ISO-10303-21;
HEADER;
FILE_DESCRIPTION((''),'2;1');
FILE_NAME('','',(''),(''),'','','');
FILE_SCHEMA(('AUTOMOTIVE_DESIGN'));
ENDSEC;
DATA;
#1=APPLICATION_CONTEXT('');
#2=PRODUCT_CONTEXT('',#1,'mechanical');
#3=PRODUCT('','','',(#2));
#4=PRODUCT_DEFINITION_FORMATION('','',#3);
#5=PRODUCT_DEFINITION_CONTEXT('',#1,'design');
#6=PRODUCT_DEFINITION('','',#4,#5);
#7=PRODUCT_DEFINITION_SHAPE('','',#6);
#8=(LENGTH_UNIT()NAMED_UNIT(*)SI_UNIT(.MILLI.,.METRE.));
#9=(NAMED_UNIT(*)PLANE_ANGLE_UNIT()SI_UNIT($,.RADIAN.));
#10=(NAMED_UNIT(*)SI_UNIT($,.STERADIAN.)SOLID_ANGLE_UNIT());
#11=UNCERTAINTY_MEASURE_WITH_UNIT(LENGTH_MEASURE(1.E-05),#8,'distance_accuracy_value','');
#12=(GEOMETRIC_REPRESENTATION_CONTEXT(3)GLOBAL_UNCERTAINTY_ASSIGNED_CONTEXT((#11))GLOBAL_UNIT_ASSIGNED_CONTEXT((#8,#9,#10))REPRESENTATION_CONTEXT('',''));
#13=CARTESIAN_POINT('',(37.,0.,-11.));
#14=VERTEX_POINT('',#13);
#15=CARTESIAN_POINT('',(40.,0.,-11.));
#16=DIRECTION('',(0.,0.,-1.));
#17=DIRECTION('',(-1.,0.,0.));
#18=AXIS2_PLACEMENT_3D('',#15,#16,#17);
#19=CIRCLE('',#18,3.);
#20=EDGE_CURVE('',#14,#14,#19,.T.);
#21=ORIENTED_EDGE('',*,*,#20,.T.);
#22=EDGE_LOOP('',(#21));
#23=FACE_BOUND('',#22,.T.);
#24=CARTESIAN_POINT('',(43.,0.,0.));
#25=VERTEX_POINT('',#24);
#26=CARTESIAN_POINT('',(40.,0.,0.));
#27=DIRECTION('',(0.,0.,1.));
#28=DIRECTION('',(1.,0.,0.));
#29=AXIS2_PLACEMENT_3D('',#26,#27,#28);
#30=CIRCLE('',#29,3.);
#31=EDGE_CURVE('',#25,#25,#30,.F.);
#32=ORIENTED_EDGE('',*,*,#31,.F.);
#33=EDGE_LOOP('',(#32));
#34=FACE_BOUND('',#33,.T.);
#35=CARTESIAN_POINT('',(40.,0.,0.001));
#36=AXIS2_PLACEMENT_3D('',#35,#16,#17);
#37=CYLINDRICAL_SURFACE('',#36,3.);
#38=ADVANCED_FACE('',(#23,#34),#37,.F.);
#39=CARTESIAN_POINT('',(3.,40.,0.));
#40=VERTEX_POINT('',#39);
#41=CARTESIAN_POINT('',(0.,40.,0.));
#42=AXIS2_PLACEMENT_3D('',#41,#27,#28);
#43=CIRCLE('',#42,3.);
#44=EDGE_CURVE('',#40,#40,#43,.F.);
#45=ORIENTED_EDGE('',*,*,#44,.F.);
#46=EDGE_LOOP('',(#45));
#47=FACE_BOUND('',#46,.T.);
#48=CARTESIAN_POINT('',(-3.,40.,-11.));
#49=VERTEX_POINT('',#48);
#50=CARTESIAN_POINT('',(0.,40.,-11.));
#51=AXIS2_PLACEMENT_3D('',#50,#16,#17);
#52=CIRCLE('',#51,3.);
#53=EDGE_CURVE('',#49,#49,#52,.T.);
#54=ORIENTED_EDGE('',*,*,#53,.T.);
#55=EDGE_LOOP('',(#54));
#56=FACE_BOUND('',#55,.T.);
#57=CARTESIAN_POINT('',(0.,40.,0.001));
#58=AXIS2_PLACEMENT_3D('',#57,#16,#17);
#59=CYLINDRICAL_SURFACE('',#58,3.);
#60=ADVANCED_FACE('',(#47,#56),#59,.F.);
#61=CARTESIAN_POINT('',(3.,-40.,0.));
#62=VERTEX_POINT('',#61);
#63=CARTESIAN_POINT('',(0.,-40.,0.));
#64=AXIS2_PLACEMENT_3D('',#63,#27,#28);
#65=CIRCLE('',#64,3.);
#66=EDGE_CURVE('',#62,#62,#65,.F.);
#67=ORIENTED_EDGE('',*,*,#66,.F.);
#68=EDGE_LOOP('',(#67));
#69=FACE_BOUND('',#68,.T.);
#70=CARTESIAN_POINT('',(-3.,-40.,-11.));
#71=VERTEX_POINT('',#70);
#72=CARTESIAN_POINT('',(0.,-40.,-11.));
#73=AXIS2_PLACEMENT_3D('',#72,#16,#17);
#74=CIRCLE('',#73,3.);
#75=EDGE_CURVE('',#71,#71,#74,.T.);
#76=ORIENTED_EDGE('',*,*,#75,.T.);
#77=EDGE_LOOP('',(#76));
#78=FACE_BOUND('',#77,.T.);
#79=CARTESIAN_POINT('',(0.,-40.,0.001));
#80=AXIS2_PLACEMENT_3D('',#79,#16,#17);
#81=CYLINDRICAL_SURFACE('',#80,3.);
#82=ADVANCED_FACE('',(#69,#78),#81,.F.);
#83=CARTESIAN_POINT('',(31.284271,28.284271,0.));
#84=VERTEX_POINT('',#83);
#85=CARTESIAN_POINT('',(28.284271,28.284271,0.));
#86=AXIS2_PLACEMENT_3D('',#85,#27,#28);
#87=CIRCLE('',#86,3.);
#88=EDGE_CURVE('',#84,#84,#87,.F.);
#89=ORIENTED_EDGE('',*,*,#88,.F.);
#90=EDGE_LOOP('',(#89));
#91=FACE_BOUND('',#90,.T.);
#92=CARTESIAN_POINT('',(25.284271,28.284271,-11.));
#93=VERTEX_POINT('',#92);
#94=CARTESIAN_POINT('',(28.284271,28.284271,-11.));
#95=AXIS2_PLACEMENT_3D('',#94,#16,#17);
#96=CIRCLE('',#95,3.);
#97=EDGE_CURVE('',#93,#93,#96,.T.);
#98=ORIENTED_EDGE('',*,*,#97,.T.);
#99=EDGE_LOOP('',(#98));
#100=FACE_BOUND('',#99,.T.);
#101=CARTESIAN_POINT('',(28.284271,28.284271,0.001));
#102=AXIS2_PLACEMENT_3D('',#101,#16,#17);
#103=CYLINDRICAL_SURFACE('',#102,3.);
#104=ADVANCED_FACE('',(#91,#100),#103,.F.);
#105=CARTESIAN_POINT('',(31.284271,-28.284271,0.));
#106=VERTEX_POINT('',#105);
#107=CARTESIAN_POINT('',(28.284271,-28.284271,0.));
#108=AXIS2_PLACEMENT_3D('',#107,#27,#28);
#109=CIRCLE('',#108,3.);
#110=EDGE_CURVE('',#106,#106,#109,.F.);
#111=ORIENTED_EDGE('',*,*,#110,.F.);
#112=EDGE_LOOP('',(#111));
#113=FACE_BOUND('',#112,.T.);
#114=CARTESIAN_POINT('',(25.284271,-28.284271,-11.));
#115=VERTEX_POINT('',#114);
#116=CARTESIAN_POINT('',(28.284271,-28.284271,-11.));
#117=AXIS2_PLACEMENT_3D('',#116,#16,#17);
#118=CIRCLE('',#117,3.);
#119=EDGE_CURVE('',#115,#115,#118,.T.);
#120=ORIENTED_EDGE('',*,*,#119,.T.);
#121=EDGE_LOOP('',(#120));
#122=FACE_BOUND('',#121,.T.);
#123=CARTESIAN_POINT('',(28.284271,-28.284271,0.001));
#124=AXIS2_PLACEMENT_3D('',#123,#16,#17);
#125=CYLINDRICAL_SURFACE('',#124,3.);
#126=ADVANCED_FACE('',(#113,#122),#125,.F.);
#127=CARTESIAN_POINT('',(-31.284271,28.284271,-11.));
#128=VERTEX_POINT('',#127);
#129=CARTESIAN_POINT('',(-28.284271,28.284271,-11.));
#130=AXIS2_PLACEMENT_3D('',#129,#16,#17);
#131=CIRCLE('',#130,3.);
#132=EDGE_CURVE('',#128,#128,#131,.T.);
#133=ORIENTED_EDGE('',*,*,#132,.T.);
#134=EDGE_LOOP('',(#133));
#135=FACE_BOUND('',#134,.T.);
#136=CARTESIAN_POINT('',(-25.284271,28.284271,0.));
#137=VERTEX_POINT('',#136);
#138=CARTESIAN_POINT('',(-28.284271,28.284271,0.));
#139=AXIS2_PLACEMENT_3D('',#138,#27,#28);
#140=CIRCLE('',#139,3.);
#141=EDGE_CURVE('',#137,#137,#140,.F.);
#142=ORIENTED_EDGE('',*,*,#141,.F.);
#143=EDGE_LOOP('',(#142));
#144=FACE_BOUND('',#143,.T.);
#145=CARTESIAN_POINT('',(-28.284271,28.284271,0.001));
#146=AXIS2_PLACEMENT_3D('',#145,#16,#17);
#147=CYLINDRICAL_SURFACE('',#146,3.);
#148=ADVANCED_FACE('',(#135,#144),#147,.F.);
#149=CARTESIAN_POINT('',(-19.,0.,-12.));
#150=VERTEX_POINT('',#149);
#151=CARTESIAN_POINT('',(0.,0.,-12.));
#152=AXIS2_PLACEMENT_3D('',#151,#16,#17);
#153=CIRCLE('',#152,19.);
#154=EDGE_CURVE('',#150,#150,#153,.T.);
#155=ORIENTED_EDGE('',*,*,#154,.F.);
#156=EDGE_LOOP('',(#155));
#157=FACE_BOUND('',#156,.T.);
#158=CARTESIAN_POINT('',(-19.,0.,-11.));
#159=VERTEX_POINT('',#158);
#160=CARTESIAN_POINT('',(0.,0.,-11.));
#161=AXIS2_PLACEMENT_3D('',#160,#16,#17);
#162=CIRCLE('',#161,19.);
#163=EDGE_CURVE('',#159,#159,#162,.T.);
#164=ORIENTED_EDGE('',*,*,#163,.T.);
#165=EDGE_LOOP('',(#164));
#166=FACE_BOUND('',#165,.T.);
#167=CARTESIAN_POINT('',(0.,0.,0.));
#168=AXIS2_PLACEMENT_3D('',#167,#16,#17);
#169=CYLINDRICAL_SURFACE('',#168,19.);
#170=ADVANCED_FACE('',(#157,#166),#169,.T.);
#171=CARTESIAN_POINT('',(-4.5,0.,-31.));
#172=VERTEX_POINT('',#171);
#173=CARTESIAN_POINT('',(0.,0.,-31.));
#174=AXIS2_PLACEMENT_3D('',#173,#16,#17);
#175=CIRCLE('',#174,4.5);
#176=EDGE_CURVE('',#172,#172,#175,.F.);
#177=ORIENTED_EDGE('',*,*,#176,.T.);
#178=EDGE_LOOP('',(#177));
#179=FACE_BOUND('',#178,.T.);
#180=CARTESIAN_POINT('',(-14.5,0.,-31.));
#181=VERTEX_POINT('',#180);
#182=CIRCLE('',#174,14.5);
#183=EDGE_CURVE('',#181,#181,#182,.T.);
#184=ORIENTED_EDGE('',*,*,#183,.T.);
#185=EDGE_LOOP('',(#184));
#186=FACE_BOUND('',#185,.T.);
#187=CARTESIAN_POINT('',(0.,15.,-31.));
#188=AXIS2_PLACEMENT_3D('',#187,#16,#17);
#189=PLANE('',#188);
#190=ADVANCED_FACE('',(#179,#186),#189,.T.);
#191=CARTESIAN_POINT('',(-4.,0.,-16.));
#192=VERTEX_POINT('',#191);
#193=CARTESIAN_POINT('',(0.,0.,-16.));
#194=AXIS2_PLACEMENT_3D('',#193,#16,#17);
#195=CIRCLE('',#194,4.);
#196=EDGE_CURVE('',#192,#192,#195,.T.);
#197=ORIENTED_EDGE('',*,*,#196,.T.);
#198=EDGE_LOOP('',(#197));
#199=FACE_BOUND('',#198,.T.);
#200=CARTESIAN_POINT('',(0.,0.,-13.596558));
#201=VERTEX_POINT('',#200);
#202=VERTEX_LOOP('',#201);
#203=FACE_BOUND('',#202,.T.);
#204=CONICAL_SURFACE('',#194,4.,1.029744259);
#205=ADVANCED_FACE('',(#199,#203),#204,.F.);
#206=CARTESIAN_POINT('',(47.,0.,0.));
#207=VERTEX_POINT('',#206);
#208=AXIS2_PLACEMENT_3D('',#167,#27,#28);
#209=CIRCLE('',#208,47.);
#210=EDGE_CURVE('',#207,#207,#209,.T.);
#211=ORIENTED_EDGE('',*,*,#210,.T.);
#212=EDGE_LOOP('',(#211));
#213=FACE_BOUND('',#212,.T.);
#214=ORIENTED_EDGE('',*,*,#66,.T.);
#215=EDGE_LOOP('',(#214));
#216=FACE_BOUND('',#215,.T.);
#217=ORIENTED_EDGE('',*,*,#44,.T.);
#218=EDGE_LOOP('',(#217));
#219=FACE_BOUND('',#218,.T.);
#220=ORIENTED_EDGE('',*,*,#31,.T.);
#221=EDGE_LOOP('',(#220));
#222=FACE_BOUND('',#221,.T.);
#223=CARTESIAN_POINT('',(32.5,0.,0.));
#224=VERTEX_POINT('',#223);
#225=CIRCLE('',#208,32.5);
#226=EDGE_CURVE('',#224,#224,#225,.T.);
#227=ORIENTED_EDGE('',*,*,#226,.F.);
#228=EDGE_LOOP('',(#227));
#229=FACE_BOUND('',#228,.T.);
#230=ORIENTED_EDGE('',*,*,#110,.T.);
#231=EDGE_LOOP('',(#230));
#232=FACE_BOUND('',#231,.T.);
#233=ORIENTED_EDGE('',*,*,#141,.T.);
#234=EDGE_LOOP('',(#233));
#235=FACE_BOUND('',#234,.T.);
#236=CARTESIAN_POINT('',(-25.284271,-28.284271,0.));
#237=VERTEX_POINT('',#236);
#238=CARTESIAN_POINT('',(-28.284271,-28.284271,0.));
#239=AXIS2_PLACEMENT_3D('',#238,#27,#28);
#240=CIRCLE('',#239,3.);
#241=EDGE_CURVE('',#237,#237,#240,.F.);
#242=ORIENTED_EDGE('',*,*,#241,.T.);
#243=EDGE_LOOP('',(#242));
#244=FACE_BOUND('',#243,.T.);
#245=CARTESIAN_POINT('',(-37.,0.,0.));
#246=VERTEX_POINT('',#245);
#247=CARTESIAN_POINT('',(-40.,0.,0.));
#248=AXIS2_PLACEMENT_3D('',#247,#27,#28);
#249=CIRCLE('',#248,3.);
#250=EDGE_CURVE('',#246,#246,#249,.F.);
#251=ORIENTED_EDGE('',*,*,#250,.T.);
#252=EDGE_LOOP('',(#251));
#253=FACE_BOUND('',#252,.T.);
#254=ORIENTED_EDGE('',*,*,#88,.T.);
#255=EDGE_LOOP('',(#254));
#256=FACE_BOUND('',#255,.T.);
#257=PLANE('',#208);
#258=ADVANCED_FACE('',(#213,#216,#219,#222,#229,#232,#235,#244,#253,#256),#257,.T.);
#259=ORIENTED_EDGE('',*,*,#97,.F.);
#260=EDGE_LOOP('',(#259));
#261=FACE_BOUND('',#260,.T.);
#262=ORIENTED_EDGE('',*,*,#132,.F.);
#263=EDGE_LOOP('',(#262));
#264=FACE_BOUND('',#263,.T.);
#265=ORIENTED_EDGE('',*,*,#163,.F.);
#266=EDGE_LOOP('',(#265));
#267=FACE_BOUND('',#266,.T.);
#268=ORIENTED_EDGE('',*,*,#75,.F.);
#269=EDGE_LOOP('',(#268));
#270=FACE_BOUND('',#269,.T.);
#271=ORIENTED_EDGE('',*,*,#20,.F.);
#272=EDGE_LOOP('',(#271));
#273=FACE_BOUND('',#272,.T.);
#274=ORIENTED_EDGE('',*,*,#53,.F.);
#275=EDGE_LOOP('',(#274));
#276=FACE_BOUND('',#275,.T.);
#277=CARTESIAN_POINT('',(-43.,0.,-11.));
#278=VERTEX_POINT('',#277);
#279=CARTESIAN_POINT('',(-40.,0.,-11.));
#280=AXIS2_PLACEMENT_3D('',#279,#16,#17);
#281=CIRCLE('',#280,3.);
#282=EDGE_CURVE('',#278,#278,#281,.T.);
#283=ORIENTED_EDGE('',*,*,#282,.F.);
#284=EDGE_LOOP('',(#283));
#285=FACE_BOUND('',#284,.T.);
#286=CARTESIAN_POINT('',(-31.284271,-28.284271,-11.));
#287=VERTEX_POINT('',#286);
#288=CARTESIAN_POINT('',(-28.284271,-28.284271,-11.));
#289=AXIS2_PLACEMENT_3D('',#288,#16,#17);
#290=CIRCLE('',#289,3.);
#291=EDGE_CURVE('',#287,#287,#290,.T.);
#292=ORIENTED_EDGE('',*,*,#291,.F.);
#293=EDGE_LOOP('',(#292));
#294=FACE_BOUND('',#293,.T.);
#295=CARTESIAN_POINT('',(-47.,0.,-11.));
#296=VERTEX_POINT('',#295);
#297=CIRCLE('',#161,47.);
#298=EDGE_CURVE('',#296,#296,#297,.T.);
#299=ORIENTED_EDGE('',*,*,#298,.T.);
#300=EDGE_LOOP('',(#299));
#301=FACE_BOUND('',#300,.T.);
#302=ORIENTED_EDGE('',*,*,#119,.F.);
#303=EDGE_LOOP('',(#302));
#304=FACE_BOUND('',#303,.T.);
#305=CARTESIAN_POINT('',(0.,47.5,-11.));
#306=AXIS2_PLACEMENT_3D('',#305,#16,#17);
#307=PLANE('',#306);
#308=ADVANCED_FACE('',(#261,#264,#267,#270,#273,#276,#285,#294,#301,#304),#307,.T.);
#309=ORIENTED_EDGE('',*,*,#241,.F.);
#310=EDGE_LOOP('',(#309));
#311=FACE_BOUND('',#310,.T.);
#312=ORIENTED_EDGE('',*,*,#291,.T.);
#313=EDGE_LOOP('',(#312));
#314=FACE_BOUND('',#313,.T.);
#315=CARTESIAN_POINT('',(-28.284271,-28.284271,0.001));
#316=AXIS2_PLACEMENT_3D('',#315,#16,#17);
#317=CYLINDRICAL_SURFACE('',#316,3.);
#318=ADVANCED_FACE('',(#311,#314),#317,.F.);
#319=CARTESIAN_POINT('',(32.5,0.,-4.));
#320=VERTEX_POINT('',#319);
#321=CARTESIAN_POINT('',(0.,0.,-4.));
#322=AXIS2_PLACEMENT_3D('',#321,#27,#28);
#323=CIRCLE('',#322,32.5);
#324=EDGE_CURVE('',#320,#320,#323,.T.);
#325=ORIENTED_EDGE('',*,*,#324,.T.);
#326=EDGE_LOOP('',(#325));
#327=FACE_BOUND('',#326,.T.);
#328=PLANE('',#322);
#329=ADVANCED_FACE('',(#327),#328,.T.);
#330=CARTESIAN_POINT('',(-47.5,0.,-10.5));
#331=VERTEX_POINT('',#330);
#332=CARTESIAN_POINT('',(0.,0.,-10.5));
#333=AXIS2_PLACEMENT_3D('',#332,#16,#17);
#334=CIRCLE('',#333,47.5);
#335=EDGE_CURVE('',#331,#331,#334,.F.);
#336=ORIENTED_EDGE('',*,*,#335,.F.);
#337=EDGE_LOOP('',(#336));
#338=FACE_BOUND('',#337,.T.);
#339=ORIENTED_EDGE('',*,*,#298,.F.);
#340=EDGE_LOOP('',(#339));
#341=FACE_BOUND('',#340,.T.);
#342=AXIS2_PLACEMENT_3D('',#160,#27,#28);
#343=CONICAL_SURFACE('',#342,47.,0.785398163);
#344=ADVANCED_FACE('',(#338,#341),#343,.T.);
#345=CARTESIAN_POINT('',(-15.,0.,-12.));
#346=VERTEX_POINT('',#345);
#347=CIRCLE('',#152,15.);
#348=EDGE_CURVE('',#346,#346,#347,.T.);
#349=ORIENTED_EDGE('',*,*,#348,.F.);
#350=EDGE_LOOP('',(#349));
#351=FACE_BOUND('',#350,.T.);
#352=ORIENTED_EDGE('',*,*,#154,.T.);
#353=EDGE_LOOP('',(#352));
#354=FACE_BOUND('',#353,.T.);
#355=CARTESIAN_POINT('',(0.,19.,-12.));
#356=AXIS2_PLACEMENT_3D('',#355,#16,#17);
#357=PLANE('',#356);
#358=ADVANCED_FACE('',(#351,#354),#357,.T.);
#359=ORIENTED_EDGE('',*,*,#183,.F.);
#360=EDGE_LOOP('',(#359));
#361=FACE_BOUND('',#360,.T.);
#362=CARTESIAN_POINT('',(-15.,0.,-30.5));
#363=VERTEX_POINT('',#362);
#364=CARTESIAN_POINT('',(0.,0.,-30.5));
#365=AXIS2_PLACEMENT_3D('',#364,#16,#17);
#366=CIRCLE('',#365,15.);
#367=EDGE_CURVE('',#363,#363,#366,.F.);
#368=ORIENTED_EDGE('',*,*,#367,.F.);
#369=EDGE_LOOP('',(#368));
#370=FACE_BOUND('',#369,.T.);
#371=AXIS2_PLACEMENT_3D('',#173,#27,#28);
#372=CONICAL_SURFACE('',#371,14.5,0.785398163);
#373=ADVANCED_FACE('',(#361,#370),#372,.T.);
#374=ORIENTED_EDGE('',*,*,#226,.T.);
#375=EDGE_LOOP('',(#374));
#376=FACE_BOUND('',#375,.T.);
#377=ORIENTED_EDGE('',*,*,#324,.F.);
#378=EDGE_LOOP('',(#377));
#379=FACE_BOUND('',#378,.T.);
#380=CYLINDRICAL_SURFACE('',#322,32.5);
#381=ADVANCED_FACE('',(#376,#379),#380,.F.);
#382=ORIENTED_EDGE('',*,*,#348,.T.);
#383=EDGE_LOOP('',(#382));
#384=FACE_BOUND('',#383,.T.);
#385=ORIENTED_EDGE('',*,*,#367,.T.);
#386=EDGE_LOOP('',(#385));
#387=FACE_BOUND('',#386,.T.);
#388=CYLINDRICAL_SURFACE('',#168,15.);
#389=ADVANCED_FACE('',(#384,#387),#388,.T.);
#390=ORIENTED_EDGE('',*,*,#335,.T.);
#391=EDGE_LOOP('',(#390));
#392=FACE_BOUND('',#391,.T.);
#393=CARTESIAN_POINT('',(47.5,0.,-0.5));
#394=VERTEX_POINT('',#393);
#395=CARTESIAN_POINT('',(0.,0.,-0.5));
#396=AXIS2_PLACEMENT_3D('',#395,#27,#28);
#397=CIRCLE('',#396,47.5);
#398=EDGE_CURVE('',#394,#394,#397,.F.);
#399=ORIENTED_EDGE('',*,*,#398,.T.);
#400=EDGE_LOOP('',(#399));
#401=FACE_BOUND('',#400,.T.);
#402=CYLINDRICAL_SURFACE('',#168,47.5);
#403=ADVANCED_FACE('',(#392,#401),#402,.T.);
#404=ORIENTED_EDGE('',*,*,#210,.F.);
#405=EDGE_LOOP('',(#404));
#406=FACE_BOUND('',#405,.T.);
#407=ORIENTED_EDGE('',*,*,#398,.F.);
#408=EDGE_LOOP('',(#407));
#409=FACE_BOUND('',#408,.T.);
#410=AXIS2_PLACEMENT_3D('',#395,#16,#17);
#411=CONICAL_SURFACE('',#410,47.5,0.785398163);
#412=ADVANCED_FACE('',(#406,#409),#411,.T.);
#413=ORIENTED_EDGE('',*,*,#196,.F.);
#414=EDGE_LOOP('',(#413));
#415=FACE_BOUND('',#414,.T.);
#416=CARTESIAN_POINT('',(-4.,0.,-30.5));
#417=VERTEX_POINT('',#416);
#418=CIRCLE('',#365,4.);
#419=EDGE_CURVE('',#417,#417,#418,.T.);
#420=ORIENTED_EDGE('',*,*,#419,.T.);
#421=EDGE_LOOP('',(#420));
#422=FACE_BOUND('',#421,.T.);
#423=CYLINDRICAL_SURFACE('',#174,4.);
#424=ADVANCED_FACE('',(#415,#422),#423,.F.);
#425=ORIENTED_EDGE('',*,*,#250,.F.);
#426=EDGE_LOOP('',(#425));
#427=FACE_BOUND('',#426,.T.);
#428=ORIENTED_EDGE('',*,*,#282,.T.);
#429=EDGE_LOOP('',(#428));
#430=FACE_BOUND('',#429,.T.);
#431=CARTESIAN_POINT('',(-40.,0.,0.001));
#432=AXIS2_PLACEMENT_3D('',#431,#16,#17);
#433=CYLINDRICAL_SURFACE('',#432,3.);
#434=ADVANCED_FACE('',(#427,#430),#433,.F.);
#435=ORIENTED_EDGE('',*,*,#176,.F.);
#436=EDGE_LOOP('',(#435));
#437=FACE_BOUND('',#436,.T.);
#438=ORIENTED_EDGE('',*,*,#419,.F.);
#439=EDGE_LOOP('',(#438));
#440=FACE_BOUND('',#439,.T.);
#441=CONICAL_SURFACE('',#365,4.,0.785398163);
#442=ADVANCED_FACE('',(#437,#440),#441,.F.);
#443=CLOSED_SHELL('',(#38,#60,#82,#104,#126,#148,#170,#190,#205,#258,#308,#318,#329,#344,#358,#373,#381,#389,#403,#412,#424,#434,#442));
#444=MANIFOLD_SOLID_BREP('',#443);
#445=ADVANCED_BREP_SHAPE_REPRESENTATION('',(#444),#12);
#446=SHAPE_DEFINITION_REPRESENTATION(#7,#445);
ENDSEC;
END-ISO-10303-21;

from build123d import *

# Parameters (mm, degrees)
SKETCH_3_R          = 32.5
CUT_EXTRUDE_1_DEPTH = 4
MM_1_D              = 8
MM_1_DEPTH          = 15
MM_1_TIP            = 2.403442476
CUT_EXTRUDE_2_REACH = 72.089
SKETCH_6_R          = 3
CHAMFER_1_SIZE      = 0.5


with BuildPart() as part:
    # 草图1 → 旋转1 (revolve)
    with BuildSketch(Plane(origin=(0, 0, 0), x_dir=(0, 0, -1), z_dir=(1, 0, 0)), mode=Mode.PRIVATE) as revolve_1_sk:
        Polygon((0, 0), (0, 47.5), (11, 47.5), (11, 19), (12, 19), (12, 15), (31, 15), (31, 0), align=None)
    revolve(revolve_1_sk.sketch.rotate(Axis((0, 0, 0), (0, 0, 1)), 90), axis=Axis((0, 0, 0), (0, 0, 1)))

    # 草图3 → 切除-拉伸1 (cut)
    with BuildSketch(Plane.XY):
        Circle(SKETCH_3_R)
    extrude(amount=-CUT_EXTRUDE_1_DEPTH, mode=Mode.SUBTRACT)

    # 大小mm 暗销孔1
    with Locations(Plane(origin=(0, 0, -31), x_dir=(-1, 0, 0), z_dir=(0, 0, -1))):
        with Locations((0, 0)):
            Hole(MM_1_D / 2, depth=MM_1_DEPTH)
            with Locations((0, 0, -(MM_1_DEPTH + MM_1_TIP / 2))):  # 118° drill point
                Cone(0, MM_1_D / 2, MM_1_TIP, mode=Mode.SUBTRACT)

    # 草图6 → 切除-拉伸2 (cut, up to next)
    with BuildSketch(Plane(origin=(0, 0, -11), x_dir=(-1, 0, 0), z_dir=(0, 0, -1)), mode=Mode.PRIVATE) as cut_extrude_2_sk1:
        with Locations((0, 40)):
            Circle(SKETCH_6_R)
    cut_extrude_2_tool1 = extrude(cut_extrude_2_sk1.sketch, amount=-CUT_EXTRUDE_2_REACH, mode=Mode.PRIVATE) & part.part
    # 草图6 → 切除-拉伸2 (cut, up to next)
    with BuildSketch(Plane(origin=(0, 0, -11), x_dir=(-1, 0, 0), z_dir=(0, 0, -1)), mode=Mode.PRIVATE) as cut_extrude_2_sk2:
        with Locations((28.284271247, 28.284271247)):
            Circle(SKETCH_6_R)
    cut_extrude_2_tool2 = extrude(cut_extrude_2_sk2.sketch, amount=-CUT_EXTRUDE_2_REACH, mode=Mode.PRIVATE) & part.part
    # 草图6 → 切除-拉伸2 (cut, up to next)
    with BuildSketch(Plane(origin=(0, 0, -11), x_dir=(-1, 0, 0), z_dir=(0, 0, -1)), mode=Mode.PRIVATE) as cut_extrude_2_sk3:
        with Locations((40, 0)):
            Circle(SKETCH_6_R)
    cut_extrude_2_tool3 = extrude(cut_extrude_2_sk3.sketch, amount=-CUT_EXTRUDE_2_REACH, mode=Mode.PRIVATE) & part.part
    # 草图6 → 切除-拉伸2 (cut, up to next)
    with BuildSketch(Plane(origin=(0, 0, -11), x_dir=(-1, 0, 0), z_dir=(0, 0, -1)), mode=Mode.PRIVATE) as cut_extrude_2_sk4:
        with Locations((28.284271247, -28.284271247)):
            Circle(SKETCH_6_R)
    cut_extrude_2_tool4 = extrude(cut_extrude_2_sk4.sketch, amount=-CUT_EXTRUDE_2_REACH, mode=Mode.PRIVATE) & part.part
    # 草图6 → 切除-拉伸2 (cut, up to next)
    with BuildSketch(Plane(origin=(0, 0, -11), x_dir=(-1, 0, 0), z_dir=(0, 0, -1)), mode=Mode.PRIVATE) as cut_extrude_2_sk5:
        with Locations((0, -40)):
            Circle(SKETCH_6_R)
    cut_extrude_2_tool5 = extrude(cut_extrude_2_sk5.sketch, amount=-CUT_EXTRUDE_2_REACH, mode=Mode.PRIVATE) & part.part
    # 草图6 → 切除-拉伸2 (cut, up to next)
    with BuildSketch(Plane(origin=(0, 0, -11), x_dir=(-1, 0, 0), z_dir=(0, 0, -1)), mode=Mode.PRIVATE) as cut_extrude_2_sk6:
        with Locations((-28.284271247, -28.284271247)):
            Circle(SKETCH_6_R)
    cut_extrude_2_tool6 = extrude(cut_extrude_2_sk6.sketch, amount=-CUT_EXTRUDE_2_REACH, mode=Mode.PRIVATE) & part.part
    # 草图6 → 切除-拉伸2 (cut, up to next)
    with BuildSketch(Plane(origin=(0, 0, -11), x_dir=(-1, 0, 0), z_dir=(0, 0, -1)), mode=Mode.PRIVATE) as cut_extrude_2_sk7:
        with Locations((-40, 0)):
            Circle(SKETCH_6_R)
    cut_extrude_2_tool7 = extrude(cut_extrude_2_sk7.sketch, amount=-CUT_EXTRUDE_2_REACH, mode=Mode.PRIVATE) & part.part
    # 草图6 → 切除-拉伸2 (cut, up to next)
    with BuildSketch(Plane(origin=(0, 0, -11), x_dir=(-1, 0, 0), z_dir=(0, 0, -1)), mode=Mode.PRIVATE) as cut_extrude_2_sk8:
        with Locations((-28.284271247, 28.284271247)):
            Circle(SKETCH_6_R)
    cut_extrude_2_tool8 = extrude(cut_extrude_2_sk8.sketch, amount=-CUT_EXTRUDE_2_REACH, mode=Mode.PRIVATE) & part.part
    add(cut_extrude_2_tool1.solids().sort_by_distance((0, 40, -11))[0], mode=Mode.SUBTRACT)
    add(cut_extrude_2_tool2.solids().sort_by_distance((-28.284271, 28.284271, -11))[0], mode=Mode.SUBTRACT)
    add(cut_extrude_2_tool3.solids().sort_by_distance((-40, 0, -11))[0], mode=Mode.SUBTRACT)
    add(cut_extrude_2_tool4.solids().sort_by_distance((-28.284271, -28.284271, -11))[0], mode=Mode.SUBTRACT)
    add(cut_extrude_2_tool5.solids().sort_by_distance((0, -40, -11))[0], mode=Mode.SUBTRACT)
    add(cut_extrude_2_tool6.solids().sort_by_distance((28.284271, -28.284271, -11))[0], mode=Mode.SUBTRACT)
    add(cut_extrude_2_tool7.solids().sort_by_distance((40, 0, -11))[0], mode=Mode.SUBTRACT)
    add(cut_extrude_2_tool8.solids().sort_by_distance((28.284271, 28.284271, -11))[0], mode=Mode.SUBTRACT)

    # 倒角1
    chamfer_1_edges = [part.edges().sort_by_distance(p)[0] for p in [
        (-4, 0, -31),
        (15, 0, -31),
        (47.5, 0, -11),
        (47.5, 0, 0),
    ]]
    chamfer(chamfer_1_edges, length=CHAMFER_1_SIZE)


solid = part.part
